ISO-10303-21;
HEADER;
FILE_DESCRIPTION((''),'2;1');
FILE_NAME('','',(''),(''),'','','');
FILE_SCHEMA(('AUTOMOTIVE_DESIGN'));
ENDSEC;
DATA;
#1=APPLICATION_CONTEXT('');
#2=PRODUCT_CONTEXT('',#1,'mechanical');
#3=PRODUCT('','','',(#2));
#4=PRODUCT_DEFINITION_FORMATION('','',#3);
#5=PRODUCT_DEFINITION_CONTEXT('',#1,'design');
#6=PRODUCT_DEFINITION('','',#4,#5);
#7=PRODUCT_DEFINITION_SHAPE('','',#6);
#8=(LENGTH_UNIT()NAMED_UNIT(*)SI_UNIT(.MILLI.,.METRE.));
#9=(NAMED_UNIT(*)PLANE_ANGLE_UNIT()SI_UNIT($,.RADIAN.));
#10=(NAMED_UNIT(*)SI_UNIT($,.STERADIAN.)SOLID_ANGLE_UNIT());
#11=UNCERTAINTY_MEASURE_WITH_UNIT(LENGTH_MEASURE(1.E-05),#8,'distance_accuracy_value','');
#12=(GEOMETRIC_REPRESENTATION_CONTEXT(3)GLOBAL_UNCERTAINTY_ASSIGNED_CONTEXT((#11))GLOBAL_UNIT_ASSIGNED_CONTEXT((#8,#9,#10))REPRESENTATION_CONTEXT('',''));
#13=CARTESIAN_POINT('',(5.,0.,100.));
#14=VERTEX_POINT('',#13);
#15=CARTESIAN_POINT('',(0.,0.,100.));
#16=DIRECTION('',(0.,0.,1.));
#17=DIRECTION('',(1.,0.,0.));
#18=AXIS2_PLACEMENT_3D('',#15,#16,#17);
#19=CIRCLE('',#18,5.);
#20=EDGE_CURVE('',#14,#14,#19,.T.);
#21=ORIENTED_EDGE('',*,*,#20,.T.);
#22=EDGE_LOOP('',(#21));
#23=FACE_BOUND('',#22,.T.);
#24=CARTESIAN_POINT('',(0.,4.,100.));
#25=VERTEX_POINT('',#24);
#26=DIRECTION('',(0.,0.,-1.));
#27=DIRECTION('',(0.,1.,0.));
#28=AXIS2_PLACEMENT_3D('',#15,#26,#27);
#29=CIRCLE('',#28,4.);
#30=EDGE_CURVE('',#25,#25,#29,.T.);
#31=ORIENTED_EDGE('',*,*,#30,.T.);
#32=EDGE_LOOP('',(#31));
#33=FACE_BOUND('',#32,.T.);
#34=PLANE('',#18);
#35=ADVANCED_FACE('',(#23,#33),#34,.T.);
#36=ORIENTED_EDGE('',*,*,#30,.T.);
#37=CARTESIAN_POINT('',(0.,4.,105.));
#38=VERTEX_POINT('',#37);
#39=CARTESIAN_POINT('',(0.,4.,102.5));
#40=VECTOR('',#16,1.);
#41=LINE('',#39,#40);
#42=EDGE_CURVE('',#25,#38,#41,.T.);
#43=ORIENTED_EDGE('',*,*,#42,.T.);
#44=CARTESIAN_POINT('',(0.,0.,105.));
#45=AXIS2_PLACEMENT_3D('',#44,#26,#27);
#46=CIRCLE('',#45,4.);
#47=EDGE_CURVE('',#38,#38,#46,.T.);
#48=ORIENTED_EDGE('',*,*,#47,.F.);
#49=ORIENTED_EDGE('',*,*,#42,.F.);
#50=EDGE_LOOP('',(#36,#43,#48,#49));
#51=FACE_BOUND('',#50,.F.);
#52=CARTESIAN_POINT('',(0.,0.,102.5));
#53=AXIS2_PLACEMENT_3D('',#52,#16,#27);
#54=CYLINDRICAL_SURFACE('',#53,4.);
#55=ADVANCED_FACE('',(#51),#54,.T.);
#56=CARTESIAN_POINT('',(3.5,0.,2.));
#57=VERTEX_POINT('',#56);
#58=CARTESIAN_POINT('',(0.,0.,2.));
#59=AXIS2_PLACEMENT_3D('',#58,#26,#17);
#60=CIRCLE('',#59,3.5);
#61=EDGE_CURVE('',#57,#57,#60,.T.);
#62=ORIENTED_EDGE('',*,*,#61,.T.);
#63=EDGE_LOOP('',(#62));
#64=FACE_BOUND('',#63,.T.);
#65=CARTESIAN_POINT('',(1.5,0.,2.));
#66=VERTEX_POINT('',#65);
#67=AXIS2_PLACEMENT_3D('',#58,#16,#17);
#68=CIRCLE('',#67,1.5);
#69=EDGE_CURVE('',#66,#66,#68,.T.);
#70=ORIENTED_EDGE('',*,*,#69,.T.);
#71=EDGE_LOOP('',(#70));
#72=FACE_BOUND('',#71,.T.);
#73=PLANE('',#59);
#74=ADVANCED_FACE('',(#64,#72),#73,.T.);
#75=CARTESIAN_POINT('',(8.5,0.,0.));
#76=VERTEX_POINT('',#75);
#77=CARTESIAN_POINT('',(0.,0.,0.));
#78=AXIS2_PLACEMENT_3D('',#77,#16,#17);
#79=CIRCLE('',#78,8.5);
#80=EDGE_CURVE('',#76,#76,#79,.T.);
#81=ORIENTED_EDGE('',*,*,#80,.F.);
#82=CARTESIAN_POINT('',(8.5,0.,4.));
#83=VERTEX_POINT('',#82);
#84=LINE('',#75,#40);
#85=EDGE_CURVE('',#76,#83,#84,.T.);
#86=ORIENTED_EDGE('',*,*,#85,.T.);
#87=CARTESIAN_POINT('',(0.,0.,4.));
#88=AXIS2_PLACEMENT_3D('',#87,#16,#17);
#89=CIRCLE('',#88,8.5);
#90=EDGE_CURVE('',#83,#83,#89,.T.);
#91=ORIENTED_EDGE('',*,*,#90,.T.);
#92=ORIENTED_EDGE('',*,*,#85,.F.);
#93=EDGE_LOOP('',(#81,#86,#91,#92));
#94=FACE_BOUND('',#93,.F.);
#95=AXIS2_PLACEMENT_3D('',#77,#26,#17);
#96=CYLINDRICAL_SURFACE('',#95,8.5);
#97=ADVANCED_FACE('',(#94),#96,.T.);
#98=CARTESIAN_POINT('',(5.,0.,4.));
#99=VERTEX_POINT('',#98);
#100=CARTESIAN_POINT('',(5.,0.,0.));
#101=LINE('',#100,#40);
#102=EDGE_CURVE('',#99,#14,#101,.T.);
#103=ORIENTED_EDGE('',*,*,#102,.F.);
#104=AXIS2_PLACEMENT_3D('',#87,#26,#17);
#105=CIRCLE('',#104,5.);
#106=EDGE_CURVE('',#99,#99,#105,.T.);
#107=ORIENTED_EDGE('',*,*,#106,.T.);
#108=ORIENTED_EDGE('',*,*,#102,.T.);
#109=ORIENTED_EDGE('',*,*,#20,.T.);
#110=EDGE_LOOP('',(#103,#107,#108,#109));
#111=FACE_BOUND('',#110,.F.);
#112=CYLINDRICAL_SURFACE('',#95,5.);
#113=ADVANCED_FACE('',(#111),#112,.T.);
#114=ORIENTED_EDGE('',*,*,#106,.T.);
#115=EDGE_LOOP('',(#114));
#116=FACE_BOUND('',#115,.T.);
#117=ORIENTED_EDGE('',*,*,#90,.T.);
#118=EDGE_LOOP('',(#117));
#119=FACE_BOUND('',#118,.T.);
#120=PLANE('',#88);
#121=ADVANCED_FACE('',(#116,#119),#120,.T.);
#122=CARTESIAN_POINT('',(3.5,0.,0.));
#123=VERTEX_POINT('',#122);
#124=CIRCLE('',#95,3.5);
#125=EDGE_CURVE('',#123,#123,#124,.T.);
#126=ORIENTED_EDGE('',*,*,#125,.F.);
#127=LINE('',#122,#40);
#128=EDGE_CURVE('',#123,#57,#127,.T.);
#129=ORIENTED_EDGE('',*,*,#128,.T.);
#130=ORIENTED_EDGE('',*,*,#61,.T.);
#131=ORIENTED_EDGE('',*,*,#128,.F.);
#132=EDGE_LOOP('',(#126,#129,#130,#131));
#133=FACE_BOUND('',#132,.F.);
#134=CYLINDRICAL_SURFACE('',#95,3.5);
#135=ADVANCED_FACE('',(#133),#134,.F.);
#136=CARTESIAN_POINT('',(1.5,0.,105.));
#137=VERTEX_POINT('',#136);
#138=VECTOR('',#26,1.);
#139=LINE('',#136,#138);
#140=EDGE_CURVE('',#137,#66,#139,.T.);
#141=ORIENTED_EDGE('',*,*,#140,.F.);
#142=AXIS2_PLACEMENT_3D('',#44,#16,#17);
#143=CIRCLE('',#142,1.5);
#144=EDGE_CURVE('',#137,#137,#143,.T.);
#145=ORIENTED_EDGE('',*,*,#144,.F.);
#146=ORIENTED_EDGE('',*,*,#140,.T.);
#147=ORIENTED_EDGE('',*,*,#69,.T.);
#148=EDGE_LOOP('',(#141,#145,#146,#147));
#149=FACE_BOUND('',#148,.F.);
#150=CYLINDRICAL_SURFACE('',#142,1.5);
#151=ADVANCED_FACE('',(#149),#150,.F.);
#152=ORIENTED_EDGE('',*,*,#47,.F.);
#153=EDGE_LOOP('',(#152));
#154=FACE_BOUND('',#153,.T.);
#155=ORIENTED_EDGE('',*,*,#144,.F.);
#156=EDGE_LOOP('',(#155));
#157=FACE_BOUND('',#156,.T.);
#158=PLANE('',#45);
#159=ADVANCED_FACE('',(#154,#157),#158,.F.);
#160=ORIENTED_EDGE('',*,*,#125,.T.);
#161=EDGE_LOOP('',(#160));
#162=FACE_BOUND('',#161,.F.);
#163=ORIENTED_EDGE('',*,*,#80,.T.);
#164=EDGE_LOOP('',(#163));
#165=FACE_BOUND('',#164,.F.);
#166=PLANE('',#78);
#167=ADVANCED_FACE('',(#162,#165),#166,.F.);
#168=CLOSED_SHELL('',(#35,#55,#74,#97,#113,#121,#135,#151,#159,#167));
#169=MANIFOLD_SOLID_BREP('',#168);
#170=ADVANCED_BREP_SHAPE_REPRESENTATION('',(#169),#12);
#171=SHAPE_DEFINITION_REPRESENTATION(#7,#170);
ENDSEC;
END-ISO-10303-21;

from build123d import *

# Parameters (mm, degrees)
F0_R     = 8.5
F1_DEPTH = 4
F2_R     = 5
F3_DEPTH = 100
F4_W     = 4
F4_H     = 5
F6_R     = 3.5
F7_DEPTH = 2
F8_R     = 1.5
F9_DEPTH = 118.6


with BuildPart() as f1:
    # F0 (on Top) → F1 (new body)
    with BuildSketch(Plane.XY):
        Circle(F0_R)
    extrude(amount=F1_DEPTH)

    # F2 (on Top) → F3 (join)
    with BuildSketch(Plane.XY):
        Circle(F2_R)
    extrude(amount=F3_DEPTH)

    # F4 (on Right) → F5 (revolve)
    with BuildSketch(Plane.YZ):
        with Locations((2, 102.5)):
            Rectangle(F4_W, F4_H)
    revolve(axis=Axis((0, 0, 102.5), (0, 0, -1)))

    # F6 (on face) → F7 (cut)
    with BuildSketch(Plane(origin=(0, 0, 0), x_dir=(1, 0, 0), z_dir=(0, 0, -1))):
        Circle(F6_R)
    extrude(amount=-F7_DEPTH, mode=Mode.SUBTRACT)

    # F8 (on face) → F9 (cut)
    with BuildSketch(Plane.XY.offset(105)):
        Circle(F8_R)
    extrude(amount=-F9_DEPTH, mode=Mode.SUBTRACT)


solid = f1.part
